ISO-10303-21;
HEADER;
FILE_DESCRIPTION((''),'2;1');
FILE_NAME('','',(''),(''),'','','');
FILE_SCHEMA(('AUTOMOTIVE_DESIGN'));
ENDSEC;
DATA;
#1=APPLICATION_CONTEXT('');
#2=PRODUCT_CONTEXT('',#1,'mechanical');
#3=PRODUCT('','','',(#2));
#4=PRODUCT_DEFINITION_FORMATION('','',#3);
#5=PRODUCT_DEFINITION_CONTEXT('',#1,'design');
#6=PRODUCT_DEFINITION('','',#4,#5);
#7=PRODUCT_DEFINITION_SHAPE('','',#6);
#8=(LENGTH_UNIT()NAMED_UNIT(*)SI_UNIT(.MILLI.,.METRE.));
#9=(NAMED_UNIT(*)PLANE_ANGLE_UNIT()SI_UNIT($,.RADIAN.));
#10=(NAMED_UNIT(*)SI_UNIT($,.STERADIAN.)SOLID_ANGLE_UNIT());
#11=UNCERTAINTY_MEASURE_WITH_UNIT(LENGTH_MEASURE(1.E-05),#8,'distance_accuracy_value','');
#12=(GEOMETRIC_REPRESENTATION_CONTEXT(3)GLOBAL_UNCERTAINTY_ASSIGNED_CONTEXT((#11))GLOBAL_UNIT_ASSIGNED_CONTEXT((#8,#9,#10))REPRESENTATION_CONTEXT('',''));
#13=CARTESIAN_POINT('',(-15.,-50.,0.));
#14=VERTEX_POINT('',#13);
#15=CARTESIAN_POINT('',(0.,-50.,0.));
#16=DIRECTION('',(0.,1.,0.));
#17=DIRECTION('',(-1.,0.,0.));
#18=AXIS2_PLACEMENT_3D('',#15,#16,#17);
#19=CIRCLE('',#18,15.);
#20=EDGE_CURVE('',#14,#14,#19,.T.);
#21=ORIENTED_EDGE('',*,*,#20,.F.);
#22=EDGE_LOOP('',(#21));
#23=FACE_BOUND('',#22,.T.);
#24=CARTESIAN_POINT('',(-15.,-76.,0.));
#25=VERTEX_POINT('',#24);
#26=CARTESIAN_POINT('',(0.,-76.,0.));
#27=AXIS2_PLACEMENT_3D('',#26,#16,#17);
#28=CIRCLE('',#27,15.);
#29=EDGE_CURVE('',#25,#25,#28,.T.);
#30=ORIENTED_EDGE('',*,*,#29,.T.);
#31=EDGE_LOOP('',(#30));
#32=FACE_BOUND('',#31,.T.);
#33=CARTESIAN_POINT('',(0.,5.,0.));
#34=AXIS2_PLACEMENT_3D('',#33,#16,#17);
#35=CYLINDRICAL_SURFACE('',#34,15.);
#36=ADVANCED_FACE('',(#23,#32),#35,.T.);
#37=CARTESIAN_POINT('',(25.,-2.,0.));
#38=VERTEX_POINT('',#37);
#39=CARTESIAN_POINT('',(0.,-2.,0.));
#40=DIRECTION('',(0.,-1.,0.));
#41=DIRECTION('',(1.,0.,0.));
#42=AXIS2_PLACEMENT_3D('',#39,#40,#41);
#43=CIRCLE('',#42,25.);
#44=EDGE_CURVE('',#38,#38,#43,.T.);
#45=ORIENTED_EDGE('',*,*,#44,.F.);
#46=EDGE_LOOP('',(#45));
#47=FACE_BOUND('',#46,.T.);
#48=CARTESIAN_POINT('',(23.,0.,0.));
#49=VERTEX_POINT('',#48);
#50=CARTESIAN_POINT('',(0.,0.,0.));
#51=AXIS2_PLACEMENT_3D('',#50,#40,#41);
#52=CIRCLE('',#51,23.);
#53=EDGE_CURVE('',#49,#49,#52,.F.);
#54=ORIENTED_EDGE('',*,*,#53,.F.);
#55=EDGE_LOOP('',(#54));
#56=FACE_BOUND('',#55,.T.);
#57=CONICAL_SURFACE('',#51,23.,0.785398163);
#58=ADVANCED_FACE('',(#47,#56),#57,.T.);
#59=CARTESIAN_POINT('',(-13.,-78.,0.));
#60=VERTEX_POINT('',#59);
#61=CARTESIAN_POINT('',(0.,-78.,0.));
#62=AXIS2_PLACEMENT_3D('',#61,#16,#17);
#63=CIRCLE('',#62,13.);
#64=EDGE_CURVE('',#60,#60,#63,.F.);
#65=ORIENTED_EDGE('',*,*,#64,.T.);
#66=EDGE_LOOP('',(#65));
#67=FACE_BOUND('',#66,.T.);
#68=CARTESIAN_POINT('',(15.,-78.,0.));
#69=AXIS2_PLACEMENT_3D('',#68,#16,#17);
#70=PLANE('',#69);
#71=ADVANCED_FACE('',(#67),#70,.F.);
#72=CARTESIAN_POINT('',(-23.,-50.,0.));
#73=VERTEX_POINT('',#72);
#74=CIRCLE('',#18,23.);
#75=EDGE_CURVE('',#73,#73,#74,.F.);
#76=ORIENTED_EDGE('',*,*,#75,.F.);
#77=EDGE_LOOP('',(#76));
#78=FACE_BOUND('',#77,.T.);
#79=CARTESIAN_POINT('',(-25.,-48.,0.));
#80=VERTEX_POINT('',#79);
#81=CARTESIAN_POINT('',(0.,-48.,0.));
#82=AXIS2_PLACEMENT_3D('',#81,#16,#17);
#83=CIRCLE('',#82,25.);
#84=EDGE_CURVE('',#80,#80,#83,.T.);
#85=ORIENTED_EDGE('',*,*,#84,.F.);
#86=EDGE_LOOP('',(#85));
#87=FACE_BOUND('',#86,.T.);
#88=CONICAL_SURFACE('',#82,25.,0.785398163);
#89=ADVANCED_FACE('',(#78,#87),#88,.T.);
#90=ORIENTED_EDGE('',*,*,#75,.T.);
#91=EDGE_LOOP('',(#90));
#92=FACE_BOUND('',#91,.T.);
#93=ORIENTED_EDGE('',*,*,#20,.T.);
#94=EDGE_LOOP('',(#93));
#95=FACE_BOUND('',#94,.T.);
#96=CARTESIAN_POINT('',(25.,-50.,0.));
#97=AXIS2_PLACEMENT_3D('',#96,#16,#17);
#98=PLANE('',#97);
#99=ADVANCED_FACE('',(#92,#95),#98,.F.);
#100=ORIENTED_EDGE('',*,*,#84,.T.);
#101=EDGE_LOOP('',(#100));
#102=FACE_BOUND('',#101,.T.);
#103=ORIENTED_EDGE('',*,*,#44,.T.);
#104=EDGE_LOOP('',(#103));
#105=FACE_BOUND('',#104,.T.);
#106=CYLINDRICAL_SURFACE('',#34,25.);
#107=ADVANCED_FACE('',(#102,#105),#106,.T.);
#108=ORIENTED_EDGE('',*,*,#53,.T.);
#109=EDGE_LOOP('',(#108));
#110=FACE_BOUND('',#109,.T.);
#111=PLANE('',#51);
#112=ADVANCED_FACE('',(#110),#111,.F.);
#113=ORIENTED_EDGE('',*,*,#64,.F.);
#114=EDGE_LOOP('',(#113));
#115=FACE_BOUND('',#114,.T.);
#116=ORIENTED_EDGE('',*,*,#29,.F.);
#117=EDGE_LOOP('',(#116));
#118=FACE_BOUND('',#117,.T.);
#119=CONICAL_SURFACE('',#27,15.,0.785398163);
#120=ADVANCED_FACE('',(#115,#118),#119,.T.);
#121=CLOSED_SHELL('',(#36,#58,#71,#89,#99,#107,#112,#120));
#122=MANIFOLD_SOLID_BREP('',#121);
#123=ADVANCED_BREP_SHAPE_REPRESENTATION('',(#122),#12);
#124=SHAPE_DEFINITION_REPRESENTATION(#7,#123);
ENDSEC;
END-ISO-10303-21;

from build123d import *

# Parameters (mm, degrees)
CHAMFER1_SIZE = 2


with BuildPart() as part:
    # Sketch1 → Revolve1 (revolve)
    with BuildSketch(Plane.XY, mode=Mode.PRIVATE) as revolve1_sk:
        Polygon((0, 0), (25, 0), (25, -50), (15, -50), (15, -78), (0, -78), align=None)
    revolve(revolve1_sk.sketch.rotate(Axis((0, 5, 0), (0, -1, 0)), 180), axis=Axis((0, 5, 0), (0, -1, 0)))

    # Chamfer1
    chamfer1_edges = [part.edges().sort_by_distance(p)[0] for p in [
        (15, -78, 0),
        (25, -50, 0),
        (25, 0, 0),
    ]]
    chamfer(chamfer1_edges, length=CHAMFER1_SIZE)


solid = part.part
